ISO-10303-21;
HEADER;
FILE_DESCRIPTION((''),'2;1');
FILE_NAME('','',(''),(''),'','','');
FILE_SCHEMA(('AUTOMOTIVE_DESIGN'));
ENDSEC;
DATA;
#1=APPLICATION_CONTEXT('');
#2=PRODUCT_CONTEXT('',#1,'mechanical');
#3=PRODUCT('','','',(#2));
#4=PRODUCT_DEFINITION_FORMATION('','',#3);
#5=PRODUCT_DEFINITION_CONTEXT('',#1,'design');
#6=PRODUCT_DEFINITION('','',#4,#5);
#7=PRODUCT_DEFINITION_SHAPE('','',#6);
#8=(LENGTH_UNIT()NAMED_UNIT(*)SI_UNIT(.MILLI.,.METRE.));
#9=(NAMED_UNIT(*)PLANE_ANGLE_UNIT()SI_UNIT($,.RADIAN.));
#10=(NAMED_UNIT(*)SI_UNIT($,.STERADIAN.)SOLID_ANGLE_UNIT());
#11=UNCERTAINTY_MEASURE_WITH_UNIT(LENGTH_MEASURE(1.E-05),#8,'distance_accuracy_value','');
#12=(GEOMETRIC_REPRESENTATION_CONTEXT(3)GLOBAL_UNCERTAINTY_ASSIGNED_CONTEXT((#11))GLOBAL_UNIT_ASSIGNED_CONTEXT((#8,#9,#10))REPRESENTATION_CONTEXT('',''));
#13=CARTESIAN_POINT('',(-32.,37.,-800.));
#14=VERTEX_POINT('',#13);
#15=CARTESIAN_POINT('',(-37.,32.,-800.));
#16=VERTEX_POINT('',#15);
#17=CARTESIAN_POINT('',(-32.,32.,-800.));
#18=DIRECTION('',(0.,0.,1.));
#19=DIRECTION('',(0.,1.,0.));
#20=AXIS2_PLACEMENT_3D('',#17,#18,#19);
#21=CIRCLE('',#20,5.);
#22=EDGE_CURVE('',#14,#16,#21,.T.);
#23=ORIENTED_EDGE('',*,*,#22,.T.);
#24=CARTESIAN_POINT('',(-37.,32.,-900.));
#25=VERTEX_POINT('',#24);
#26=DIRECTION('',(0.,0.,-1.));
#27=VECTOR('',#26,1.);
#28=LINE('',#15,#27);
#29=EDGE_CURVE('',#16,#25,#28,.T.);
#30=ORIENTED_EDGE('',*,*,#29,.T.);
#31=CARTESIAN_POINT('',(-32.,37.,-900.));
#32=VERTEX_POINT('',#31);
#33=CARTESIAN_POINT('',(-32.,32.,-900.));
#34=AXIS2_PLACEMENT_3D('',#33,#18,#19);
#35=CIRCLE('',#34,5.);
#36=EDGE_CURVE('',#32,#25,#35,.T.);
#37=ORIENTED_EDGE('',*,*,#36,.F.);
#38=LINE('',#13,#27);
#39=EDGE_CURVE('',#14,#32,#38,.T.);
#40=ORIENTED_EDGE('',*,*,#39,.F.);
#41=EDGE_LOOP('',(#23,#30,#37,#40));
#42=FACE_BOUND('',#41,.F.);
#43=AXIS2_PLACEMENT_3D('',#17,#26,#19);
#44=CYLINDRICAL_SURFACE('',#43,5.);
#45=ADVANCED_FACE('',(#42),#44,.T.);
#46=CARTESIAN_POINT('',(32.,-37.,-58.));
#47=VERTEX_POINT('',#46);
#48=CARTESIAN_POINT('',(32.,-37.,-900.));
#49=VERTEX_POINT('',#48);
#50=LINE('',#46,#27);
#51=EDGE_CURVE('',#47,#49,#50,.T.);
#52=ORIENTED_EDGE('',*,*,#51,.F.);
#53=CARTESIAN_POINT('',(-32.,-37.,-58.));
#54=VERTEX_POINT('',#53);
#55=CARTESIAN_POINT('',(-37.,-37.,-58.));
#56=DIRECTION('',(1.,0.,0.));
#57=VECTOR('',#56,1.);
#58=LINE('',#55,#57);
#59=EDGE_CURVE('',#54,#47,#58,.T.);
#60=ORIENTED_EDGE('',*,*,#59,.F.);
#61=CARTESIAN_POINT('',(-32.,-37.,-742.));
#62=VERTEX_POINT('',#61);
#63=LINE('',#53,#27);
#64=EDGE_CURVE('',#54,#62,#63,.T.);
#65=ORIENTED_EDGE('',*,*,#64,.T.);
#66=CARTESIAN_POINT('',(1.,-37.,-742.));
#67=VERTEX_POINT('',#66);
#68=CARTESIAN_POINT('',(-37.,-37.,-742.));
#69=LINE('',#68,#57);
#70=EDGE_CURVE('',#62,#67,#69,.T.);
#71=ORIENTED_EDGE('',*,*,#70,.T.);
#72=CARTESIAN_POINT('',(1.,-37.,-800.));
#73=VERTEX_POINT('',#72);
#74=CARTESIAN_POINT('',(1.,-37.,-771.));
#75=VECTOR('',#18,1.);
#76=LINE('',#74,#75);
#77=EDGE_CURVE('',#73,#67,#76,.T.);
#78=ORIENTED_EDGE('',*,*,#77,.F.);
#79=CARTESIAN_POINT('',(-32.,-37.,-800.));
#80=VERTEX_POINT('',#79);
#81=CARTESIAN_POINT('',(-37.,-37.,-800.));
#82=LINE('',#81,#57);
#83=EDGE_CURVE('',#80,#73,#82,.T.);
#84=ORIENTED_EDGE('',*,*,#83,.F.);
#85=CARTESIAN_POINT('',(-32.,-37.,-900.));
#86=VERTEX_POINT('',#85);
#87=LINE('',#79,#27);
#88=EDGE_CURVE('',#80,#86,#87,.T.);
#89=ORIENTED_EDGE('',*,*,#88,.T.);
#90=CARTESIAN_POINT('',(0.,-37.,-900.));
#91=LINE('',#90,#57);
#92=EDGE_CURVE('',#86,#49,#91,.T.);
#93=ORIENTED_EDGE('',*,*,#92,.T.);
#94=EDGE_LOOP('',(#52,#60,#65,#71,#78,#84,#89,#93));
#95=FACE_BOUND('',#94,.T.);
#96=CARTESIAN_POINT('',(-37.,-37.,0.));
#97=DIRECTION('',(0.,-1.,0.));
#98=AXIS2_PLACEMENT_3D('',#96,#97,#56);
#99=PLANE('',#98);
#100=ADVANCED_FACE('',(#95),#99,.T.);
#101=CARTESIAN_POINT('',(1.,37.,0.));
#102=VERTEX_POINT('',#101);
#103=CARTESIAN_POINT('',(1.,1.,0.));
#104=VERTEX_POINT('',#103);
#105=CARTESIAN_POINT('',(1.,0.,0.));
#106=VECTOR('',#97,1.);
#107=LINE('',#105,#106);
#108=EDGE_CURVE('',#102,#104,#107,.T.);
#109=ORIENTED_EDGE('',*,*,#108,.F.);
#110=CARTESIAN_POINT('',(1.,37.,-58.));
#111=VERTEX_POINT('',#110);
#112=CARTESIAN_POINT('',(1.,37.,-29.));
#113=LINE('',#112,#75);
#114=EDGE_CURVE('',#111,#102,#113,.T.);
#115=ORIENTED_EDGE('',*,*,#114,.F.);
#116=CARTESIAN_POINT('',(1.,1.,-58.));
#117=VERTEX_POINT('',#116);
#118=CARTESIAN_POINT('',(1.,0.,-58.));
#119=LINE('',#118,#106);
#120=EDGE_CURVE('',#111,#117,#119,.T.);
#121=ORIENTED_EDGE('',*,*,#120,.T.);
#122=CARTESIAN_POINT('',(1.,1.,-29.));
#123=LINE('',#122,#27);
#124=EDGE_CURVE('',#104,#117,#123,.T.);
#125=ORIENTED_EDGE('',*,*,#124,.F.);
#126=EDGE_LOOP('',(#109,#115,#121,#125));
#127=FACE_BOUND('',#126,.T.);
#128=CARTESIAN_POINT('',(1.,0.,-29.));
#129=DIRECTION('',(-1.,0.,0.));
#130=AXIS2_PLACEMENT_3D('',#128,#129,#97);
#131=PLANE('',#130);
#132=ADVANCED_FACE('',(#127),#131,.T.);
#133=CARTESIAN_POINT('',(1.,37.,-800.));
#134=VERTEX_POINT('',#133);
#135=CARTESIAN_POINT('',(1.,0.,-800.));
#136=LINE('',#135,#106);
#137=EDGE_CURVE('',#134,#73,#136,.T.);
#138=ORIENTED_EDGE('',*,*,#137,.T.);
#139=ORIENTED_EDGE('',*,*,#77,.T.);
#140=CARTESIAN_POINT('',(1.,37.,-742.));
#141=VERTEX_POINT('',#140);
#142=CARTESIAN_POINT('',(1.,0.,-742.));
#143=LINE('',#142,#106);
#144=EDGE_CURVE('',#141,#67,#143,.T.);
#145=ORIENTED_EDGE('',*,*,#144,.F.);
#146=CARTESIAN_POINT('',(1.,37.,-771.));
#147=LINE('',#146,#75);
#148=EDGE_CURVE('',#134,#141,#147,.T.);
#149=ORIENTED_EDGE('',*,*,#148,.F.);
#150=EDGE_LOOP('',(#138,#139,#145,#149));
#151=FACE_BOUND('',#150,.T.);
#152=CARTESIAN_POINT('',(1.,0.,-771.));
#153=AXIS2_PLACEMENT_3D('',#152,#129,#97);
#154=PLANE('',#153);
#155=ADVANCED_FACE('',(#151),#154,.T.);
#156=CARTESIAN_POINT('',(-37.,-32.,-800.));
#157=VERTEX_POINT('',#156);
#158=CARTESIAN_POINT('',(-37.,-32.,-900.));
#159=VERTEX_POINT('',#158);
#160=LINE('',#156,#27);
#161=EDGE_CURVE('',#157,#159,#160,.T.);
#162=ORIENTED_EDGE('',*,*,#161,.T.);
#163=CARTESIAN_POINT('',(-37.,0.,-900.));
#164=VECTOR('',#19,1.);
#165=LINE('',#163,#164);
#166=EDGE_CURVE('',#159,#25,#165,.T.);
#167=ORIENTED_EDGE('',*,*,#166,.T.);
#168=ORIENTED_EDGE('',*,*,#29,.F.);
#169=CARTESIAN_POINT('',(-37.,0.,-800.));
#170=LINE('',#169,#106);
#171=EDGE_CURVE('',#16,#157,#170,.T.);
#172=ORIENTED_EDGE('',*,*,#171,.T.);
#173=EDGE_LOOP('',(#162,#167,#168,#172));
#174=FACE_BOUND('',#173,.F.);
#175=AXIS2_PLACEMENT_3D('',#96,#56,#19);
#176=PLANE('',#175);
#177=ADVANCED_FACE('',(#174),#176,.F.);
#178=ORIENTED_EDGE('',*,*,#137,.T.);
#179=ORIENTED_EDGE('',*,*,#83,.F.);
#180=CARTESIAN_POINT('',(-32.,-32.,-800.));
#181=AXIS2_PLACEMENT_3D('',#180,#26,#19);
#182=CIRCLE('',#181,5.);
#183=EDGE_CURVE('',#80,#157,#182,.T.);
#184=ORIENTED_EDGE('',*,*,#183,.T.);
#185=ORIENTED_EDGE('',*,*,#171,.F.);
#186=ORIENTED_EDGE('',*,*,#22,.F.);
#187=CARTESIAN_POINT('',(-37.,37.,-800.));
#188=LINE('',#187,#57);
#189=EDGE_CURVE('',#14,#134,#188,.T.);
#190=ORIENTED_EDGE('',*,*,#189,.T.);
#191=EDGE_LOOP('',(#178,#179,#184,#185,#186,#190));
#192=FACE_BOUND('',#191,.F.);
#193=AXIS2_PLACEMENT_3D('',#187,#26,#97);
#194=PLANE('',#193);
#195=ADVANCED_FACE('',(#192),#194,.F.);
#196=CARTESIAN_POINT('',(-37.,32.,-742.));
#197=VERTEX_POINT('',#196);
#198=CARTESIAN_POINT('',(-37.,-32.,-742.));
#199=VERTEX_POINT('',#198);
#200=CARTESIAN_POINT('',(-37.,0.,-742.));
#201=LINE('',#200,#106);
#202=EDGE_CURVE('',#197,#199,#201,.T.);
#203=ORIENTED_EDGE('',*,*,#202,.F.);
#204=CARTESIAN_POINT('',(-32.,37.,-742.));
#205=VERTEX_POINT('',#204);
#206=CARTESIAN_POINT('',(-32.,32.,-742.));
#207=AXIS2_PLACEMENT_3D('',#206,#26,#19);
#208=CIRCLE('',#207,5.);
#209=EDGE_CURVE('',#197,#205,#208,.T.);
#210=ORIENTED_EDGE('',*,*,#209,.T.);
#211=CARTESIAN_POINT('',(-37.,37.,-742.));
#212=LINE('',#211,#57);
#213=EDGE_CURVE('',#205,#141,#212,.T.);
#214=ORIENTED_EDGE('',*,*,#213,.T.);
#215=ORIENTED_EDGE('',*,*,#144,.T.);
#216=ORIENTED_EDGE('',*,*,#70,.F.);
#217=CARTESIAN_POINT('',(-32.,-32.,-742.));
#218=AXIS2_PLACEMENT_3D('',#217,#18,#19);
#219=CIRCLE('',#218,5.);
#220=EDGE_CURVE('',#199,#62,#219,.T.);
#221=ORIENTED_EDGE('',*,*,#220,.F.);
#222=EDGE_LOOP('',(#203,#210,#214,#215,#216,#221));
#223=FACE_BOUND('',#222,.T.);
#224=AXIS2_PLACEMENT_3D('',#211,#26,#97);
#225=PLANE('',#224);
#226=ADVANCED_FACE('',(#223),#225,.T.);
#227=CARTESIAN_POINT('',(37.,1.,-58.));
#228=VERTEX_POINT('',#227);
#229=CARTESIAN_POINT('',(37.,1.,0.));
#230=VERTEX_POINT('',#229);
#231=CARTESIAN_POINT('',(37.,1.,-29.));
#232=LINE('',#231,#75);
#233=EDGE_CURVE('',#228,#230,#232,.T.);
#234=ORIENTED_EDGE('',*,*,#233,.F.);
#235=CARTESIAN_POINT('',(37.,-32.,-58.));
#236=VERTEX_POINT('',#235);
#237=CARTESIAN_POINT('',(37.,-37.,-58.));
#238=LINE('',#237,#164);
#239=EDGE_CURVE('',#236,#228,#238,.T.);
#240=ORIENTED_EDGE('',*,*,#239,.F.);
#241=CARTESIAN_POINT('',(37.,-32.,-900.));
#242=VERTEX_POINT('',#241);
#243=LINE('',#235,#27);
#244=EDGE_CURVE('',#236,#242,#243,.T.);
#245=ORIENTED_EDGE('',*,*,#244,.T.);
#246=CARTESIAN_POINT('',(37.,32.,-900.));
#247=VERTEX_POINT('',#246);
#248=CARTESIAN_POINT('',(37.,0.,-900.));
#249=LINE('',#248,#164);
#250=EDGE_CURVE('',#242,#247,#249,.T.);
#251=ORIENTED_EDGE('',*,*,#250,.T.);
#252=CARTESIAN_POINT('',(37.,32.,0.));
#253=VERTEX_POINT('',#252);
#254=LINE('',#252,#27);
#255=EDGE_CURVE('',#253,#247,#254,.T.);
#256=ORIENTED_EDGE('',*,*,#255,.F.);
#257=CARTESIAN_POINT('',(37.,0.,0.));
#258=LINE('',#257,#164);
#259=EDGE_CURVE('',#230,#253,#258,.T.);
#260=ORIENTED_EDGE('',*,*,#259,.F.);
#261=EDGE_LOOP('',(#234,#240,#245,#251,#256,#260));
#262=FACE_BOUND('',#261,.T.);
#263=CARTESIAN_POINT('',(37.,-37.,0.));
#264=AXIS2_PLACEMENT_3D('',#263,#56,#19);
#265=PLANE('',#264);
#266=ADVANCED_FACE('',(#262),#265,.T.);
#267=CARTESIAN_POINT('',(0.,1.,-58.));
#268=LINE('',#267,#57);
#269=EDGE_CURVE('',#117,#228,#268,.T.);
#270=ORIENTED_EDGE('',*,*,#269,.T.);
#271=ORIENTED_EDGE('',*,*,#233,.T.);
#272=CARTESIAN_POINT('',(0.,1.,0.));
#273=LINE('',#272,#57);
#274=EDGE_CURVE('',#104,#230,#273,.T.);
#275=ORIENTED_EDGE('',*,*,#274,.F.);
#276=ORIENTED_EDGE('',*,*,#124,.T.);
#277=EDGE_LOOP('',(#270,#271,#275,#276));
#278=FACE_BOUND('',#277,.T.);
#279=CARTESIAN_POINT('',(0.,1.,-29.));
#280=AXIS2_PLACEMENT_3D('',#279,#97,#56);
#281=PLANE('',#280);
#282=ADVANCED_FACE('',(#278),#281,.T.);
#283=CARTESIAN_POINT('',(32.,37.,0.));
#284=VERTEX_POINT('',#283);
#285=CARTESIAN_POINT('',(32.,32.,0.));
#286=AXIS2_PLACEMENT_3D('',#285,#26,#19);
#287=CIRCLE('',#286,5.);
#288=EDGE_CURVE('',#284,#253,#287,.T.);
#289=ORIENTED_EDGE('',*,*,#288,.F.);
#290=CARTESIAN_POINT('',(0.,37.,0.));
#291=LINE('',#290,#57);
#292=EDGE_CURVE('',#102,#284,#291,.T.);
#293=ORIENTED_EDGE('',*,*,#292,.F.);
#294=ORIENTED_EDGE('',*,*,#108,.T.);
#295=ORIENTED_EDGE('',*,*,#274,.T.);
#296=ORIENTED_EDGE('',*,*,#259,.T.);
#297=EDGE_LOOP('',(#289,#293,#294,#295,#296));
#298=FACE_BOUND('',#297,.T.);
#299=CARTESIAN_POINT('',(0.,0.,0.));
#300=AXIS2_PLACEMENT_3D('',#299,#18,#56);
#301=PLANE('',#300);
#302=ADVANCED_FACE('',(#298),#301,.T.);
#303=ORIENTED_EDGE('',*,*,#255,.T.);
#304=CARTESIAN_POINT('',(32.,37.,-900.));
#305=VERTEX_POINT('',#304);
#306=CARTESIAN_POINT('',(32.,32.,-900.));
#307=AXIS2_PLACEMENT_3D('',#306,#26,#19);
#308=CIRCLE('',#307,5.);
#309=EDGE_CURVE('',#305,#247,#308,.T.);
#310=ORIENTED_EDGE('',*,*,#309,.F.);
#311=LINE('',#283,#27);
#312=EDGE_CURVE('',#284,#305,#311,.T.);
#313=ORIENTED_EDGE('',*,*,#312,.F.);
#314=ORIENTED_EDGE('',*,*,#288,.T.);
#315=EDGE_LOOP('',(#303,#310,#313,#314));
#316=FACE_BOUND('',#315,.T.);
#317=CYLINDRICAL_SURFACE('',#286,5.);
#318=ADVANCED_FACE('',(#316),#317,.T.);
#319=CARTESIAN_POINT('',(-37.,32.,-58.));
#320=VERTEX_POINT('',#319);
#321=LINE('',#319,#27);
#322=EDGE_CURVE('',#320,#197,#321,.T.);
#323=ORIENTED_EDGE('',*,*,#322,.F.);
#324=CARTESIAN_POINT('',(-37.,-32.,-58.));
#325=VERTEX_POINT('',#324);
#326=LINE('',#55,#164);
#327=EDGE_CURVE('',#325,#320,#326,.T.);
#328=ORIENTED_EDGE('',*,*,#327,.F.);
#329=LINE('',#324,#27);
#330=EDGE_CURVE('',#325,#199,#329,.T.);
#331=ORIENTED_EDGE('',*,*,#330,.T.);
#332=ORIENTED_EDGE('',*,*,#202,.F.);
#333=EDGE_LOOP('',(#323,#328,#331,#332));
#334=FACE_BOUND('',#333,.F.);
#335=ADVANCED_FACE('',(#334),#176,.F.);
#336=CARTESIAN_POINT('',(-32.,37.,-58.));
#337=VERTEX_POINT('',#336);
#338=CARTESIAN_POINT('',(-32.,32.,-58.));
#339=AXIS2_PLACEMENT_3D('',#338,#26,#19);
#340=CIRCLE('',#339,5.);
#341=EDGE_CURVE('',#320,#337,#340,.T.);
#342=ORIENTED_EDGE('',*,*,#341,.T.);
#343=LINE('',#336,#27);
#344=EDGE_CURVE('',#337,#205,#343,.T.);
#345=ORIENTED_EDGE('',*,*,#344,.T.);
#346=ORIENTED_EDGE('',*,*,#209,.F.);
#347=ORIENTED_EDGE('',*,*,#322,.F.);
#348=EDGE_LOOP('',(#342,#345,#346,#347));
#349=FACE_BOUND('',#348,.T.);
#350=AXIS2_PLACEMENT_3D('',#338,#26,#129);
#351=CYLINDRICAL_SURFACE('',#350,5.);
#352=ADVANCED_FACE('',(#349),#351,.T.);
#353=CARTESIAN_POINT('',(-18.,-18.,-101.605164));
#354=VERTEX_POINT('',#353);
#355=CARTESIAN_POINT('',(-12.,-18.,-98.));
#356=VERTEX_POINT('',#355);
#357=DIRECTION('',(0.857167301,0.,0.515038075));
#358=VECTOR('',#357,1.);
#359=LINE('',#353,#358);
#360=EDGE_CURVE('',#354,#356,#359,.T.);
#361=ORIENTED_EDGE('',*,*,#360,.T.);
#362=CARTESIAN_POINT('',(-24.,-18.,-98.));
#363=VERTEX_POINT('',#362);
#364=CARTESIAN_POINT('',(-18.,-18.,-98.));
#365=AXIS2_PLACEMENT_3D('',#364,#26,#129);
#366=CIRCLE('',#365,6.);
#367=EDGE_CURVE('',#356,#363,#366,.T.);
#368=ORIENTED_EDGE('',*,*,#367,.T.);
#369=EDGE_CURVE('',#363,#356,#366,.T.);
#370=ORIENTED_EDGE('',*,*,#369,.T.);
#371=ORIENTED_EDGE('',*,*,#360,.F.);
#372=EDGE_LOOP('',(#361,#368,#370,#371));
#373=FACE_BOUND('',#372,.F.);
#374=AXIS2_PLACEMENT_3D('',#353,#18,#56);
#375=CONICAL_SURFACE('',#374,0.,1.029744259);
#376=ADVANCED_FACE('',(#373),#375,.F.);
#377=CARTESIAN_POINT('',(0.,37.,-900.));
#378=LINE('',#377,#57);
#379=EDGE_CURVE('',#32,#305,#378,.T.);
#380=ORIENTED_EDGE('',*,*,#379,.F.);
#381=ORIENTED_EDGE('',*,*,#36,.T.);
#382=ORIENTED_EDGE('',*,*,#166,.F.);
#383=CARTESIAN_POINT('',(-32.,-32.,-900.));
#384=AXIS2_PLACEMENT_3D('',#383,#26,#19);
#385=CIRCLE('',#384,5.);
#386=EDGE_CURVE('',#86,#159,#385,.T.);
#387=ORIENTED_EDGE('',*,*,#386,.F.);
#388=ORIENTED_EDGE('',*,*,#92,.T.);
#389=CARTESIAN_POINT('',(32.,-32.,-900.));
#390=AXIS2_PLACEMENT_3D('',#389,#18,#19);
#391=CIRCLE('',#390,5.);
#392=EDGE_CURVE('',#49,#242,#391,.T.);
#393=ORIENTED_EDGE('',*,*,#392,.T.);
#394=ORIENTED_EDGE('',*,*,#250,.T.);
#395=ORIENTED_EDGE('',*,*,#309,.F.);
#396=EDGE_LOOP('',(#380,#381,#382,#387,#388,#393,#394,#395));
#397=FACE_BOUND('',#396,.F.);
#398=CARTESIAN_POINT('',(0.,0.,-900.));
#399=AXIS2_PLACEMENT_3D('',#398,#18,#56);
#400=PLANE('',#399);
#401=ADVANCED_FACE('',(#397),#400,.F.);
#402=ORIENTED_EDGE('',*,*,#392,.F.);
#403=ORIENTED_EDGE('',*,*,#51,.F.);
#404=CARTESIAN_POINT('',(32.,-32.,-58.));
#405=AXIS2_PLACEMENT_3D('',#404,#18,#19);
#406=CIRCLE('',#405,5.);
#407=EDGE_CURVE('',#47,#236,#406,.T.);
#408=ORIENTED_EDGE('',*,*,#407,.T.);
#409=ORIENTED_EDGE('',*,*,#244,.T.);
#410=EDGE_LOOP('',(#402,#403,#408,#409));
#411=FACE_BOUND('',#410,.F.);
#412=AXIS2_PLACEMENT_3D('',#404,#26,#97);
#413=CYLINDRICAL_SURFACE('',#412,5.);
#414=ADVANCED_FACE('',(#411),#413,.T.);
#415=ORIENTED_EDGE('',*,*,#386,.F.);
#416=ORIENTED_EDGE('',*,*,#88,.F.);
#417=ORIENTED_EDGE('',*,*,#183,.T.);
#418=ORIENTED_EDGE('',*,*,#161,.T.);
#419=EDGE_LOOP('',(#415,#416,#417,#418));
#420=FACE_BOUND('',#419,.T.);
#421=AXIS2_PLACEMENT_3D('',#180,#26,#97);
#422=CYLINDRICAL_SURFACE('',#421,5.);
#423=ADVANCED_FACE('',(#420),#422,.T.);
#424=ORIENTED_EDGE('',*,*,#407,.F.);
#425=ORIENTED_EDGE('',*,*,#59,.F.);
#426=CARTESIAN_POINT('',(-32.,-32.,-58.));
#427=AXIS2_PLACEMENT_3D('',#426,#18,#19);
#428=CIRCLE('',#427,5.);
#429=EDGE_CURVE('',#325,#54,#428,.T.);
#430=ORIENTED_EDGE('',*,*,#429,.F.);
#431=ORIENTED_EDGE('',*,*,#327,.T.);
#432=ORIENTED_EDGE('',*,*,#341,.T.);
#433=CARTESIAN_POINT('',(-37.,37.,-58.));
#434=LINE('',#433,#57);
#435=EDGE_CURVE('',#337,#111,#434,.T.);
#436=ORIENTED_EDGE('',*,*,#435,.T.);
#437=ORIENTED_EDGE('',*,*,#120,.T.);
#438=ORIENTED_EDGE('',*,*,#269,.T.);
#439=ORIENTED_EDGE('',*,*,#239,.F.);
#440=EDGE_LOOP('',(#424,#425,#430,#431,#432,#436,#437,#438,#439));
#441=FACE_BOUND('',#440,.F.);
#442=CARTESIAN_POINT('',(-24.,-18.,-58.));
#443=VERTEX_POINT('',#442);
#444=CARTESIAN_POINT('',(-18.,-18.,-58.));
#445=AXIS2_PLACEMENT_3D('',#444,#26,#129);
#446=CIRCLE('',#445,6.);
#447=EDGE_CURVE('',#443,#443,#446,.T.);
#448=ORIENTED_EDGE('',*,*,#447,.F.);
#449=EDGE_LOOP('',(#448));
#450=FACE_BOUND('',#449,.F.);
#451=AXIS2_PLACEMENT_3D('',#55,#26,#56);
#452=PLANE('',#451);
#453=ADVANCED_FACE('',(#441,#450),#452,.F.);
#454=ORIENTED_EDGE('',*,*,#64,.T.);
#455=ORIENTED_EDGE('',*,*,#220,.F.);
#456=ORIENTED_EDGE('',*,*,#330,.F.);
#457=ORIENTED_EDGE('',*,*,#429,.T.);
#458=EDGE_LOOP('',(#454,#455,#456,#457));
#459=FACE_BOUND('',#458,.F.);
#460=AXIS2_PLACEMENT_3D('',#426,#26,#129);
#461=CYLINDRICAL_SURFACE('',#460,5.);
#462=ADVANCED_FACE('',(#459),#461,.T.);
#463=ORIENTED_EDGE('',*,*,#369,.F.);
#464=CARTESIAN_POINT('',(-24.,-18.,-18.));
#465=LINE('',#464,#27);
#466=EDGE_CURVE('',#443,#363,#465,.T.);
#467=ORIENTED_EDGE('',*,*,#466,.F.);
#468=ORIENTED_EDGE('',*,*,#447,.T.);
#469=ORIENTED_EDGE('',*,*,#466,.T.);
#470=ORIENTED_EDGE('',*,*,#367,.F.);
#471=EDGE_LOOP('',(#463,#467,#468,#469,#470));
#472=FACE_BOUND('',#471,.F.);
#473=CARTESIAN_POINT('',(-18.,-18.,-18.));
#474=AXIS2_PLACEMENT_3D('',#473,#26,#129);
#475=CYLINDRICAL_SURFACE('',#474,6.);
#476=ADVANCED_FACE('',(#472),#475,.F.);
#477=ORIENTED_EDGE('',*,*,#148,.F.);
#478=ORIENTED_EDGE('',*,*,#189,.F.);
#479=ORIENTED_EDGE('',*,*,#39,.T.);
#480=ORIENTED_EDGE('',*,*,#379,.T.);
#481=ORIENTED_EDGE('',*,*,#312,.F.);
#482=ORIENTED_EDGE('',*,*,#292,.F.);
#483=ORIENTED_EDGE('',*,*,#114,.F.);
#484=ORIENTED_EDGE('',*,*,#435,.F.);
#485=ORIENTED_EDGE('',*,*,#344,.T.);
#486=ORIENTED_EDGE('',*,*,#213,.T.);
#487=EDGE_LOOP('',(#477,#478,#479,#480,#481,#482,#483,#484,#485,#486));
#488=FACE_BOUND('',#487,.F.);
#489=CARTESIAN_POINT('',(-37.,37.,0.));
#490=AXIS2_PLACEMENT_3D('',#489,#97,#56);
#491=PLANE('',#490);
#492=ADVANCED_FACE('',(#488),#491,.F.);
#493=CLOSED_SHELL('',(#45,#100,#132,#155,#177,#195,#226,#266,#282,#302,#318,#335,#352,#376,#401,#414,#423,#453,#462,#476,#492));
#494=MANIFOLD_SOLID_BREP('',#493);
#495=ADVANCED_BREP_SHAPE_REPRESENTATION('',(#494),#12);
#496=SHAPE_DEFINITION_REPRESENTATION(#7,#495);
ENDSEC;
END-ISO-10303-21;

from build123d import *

# Parameters (mm, degrees)
F0_W     = 74
F0_H     = 74
F1_DEPTH = 900
F2_W     = 74
F2_H     = 58
F4_DEPTH = 38
F3_W     = 74
F3_H     = 58
F5_DEPTH = 38
F7_D     = 12
F7_DEPTH = 40
F7_TIP   = 3.6051637142
F8_W     = 74
F8_H     = 58
F9_DEPTH = 38
F10_R    = 5


with BuildPart() as f1:
    # F0 (on Top) → F1 (new body)
    with BuildSketch(Plane.XY):
        Rectangle(F0_W, F0_H)
    extrude(amount=-F1_DEPTH)

    # F2 (on face) → F4 (cut)
    with BuildSketch(Plane.XZ.offset(37)):
        with Locations((0, -29)):
            Rectangle(F2_W, F2_H)
    extrude(amount=-F4_DEPTH, mode=Mode.SUBTRACT)

    # F3 (on face) → F5 (cut)
    with BuildSketch(Plane(origin=(-37, 0, 0), x_dir=(0, -1, 0), z_dir=(-1, 0, 0))):
        with Locations((0, -29)):
            Rectangle(F3_W, F3_H)
    extrude(amount=-F5_DEPTH, mode=Mode.SUBTRACT)

    # F7
    with Locations(Plane.XY.offset(-58)):
        with Locations((-18, -18)):
            Hole(F7_D / 2, depth=F7_DEPTH)
            with Locations((0, 0, -(F7_DEPTH + F7_TIP / 2))):  # 118° drill point
                Cone(0, F7_D / 2, F7_TIP, mode=Mode.SUBTRACT)

    # F8 (on face) → F9 (cut)
    with BuildSketch(Plane(origin=(-37, 0, 0), x_dir=(0, -1, 0), z_dir=(-1, 0, 0))):
        with Locations((0, -771)):
            Rectangle(F8_W, F8_H)
    extrude(amount=-F9_DEPTH, mode=Mode.SUBTRACT)

    # F10
    f10_edges = [f1.edges().sort_by_distance(p)[0] for p in [
        (-37, -37, -850),
        (-37, -37, -400),
        (-37, 37, -400),
        (-37, 37, -850),
        (37, -37, -479),
        (37, 37, -450),
    ]]
    fillet(f10_edges, radius=F10_R)


solid = f1.part
